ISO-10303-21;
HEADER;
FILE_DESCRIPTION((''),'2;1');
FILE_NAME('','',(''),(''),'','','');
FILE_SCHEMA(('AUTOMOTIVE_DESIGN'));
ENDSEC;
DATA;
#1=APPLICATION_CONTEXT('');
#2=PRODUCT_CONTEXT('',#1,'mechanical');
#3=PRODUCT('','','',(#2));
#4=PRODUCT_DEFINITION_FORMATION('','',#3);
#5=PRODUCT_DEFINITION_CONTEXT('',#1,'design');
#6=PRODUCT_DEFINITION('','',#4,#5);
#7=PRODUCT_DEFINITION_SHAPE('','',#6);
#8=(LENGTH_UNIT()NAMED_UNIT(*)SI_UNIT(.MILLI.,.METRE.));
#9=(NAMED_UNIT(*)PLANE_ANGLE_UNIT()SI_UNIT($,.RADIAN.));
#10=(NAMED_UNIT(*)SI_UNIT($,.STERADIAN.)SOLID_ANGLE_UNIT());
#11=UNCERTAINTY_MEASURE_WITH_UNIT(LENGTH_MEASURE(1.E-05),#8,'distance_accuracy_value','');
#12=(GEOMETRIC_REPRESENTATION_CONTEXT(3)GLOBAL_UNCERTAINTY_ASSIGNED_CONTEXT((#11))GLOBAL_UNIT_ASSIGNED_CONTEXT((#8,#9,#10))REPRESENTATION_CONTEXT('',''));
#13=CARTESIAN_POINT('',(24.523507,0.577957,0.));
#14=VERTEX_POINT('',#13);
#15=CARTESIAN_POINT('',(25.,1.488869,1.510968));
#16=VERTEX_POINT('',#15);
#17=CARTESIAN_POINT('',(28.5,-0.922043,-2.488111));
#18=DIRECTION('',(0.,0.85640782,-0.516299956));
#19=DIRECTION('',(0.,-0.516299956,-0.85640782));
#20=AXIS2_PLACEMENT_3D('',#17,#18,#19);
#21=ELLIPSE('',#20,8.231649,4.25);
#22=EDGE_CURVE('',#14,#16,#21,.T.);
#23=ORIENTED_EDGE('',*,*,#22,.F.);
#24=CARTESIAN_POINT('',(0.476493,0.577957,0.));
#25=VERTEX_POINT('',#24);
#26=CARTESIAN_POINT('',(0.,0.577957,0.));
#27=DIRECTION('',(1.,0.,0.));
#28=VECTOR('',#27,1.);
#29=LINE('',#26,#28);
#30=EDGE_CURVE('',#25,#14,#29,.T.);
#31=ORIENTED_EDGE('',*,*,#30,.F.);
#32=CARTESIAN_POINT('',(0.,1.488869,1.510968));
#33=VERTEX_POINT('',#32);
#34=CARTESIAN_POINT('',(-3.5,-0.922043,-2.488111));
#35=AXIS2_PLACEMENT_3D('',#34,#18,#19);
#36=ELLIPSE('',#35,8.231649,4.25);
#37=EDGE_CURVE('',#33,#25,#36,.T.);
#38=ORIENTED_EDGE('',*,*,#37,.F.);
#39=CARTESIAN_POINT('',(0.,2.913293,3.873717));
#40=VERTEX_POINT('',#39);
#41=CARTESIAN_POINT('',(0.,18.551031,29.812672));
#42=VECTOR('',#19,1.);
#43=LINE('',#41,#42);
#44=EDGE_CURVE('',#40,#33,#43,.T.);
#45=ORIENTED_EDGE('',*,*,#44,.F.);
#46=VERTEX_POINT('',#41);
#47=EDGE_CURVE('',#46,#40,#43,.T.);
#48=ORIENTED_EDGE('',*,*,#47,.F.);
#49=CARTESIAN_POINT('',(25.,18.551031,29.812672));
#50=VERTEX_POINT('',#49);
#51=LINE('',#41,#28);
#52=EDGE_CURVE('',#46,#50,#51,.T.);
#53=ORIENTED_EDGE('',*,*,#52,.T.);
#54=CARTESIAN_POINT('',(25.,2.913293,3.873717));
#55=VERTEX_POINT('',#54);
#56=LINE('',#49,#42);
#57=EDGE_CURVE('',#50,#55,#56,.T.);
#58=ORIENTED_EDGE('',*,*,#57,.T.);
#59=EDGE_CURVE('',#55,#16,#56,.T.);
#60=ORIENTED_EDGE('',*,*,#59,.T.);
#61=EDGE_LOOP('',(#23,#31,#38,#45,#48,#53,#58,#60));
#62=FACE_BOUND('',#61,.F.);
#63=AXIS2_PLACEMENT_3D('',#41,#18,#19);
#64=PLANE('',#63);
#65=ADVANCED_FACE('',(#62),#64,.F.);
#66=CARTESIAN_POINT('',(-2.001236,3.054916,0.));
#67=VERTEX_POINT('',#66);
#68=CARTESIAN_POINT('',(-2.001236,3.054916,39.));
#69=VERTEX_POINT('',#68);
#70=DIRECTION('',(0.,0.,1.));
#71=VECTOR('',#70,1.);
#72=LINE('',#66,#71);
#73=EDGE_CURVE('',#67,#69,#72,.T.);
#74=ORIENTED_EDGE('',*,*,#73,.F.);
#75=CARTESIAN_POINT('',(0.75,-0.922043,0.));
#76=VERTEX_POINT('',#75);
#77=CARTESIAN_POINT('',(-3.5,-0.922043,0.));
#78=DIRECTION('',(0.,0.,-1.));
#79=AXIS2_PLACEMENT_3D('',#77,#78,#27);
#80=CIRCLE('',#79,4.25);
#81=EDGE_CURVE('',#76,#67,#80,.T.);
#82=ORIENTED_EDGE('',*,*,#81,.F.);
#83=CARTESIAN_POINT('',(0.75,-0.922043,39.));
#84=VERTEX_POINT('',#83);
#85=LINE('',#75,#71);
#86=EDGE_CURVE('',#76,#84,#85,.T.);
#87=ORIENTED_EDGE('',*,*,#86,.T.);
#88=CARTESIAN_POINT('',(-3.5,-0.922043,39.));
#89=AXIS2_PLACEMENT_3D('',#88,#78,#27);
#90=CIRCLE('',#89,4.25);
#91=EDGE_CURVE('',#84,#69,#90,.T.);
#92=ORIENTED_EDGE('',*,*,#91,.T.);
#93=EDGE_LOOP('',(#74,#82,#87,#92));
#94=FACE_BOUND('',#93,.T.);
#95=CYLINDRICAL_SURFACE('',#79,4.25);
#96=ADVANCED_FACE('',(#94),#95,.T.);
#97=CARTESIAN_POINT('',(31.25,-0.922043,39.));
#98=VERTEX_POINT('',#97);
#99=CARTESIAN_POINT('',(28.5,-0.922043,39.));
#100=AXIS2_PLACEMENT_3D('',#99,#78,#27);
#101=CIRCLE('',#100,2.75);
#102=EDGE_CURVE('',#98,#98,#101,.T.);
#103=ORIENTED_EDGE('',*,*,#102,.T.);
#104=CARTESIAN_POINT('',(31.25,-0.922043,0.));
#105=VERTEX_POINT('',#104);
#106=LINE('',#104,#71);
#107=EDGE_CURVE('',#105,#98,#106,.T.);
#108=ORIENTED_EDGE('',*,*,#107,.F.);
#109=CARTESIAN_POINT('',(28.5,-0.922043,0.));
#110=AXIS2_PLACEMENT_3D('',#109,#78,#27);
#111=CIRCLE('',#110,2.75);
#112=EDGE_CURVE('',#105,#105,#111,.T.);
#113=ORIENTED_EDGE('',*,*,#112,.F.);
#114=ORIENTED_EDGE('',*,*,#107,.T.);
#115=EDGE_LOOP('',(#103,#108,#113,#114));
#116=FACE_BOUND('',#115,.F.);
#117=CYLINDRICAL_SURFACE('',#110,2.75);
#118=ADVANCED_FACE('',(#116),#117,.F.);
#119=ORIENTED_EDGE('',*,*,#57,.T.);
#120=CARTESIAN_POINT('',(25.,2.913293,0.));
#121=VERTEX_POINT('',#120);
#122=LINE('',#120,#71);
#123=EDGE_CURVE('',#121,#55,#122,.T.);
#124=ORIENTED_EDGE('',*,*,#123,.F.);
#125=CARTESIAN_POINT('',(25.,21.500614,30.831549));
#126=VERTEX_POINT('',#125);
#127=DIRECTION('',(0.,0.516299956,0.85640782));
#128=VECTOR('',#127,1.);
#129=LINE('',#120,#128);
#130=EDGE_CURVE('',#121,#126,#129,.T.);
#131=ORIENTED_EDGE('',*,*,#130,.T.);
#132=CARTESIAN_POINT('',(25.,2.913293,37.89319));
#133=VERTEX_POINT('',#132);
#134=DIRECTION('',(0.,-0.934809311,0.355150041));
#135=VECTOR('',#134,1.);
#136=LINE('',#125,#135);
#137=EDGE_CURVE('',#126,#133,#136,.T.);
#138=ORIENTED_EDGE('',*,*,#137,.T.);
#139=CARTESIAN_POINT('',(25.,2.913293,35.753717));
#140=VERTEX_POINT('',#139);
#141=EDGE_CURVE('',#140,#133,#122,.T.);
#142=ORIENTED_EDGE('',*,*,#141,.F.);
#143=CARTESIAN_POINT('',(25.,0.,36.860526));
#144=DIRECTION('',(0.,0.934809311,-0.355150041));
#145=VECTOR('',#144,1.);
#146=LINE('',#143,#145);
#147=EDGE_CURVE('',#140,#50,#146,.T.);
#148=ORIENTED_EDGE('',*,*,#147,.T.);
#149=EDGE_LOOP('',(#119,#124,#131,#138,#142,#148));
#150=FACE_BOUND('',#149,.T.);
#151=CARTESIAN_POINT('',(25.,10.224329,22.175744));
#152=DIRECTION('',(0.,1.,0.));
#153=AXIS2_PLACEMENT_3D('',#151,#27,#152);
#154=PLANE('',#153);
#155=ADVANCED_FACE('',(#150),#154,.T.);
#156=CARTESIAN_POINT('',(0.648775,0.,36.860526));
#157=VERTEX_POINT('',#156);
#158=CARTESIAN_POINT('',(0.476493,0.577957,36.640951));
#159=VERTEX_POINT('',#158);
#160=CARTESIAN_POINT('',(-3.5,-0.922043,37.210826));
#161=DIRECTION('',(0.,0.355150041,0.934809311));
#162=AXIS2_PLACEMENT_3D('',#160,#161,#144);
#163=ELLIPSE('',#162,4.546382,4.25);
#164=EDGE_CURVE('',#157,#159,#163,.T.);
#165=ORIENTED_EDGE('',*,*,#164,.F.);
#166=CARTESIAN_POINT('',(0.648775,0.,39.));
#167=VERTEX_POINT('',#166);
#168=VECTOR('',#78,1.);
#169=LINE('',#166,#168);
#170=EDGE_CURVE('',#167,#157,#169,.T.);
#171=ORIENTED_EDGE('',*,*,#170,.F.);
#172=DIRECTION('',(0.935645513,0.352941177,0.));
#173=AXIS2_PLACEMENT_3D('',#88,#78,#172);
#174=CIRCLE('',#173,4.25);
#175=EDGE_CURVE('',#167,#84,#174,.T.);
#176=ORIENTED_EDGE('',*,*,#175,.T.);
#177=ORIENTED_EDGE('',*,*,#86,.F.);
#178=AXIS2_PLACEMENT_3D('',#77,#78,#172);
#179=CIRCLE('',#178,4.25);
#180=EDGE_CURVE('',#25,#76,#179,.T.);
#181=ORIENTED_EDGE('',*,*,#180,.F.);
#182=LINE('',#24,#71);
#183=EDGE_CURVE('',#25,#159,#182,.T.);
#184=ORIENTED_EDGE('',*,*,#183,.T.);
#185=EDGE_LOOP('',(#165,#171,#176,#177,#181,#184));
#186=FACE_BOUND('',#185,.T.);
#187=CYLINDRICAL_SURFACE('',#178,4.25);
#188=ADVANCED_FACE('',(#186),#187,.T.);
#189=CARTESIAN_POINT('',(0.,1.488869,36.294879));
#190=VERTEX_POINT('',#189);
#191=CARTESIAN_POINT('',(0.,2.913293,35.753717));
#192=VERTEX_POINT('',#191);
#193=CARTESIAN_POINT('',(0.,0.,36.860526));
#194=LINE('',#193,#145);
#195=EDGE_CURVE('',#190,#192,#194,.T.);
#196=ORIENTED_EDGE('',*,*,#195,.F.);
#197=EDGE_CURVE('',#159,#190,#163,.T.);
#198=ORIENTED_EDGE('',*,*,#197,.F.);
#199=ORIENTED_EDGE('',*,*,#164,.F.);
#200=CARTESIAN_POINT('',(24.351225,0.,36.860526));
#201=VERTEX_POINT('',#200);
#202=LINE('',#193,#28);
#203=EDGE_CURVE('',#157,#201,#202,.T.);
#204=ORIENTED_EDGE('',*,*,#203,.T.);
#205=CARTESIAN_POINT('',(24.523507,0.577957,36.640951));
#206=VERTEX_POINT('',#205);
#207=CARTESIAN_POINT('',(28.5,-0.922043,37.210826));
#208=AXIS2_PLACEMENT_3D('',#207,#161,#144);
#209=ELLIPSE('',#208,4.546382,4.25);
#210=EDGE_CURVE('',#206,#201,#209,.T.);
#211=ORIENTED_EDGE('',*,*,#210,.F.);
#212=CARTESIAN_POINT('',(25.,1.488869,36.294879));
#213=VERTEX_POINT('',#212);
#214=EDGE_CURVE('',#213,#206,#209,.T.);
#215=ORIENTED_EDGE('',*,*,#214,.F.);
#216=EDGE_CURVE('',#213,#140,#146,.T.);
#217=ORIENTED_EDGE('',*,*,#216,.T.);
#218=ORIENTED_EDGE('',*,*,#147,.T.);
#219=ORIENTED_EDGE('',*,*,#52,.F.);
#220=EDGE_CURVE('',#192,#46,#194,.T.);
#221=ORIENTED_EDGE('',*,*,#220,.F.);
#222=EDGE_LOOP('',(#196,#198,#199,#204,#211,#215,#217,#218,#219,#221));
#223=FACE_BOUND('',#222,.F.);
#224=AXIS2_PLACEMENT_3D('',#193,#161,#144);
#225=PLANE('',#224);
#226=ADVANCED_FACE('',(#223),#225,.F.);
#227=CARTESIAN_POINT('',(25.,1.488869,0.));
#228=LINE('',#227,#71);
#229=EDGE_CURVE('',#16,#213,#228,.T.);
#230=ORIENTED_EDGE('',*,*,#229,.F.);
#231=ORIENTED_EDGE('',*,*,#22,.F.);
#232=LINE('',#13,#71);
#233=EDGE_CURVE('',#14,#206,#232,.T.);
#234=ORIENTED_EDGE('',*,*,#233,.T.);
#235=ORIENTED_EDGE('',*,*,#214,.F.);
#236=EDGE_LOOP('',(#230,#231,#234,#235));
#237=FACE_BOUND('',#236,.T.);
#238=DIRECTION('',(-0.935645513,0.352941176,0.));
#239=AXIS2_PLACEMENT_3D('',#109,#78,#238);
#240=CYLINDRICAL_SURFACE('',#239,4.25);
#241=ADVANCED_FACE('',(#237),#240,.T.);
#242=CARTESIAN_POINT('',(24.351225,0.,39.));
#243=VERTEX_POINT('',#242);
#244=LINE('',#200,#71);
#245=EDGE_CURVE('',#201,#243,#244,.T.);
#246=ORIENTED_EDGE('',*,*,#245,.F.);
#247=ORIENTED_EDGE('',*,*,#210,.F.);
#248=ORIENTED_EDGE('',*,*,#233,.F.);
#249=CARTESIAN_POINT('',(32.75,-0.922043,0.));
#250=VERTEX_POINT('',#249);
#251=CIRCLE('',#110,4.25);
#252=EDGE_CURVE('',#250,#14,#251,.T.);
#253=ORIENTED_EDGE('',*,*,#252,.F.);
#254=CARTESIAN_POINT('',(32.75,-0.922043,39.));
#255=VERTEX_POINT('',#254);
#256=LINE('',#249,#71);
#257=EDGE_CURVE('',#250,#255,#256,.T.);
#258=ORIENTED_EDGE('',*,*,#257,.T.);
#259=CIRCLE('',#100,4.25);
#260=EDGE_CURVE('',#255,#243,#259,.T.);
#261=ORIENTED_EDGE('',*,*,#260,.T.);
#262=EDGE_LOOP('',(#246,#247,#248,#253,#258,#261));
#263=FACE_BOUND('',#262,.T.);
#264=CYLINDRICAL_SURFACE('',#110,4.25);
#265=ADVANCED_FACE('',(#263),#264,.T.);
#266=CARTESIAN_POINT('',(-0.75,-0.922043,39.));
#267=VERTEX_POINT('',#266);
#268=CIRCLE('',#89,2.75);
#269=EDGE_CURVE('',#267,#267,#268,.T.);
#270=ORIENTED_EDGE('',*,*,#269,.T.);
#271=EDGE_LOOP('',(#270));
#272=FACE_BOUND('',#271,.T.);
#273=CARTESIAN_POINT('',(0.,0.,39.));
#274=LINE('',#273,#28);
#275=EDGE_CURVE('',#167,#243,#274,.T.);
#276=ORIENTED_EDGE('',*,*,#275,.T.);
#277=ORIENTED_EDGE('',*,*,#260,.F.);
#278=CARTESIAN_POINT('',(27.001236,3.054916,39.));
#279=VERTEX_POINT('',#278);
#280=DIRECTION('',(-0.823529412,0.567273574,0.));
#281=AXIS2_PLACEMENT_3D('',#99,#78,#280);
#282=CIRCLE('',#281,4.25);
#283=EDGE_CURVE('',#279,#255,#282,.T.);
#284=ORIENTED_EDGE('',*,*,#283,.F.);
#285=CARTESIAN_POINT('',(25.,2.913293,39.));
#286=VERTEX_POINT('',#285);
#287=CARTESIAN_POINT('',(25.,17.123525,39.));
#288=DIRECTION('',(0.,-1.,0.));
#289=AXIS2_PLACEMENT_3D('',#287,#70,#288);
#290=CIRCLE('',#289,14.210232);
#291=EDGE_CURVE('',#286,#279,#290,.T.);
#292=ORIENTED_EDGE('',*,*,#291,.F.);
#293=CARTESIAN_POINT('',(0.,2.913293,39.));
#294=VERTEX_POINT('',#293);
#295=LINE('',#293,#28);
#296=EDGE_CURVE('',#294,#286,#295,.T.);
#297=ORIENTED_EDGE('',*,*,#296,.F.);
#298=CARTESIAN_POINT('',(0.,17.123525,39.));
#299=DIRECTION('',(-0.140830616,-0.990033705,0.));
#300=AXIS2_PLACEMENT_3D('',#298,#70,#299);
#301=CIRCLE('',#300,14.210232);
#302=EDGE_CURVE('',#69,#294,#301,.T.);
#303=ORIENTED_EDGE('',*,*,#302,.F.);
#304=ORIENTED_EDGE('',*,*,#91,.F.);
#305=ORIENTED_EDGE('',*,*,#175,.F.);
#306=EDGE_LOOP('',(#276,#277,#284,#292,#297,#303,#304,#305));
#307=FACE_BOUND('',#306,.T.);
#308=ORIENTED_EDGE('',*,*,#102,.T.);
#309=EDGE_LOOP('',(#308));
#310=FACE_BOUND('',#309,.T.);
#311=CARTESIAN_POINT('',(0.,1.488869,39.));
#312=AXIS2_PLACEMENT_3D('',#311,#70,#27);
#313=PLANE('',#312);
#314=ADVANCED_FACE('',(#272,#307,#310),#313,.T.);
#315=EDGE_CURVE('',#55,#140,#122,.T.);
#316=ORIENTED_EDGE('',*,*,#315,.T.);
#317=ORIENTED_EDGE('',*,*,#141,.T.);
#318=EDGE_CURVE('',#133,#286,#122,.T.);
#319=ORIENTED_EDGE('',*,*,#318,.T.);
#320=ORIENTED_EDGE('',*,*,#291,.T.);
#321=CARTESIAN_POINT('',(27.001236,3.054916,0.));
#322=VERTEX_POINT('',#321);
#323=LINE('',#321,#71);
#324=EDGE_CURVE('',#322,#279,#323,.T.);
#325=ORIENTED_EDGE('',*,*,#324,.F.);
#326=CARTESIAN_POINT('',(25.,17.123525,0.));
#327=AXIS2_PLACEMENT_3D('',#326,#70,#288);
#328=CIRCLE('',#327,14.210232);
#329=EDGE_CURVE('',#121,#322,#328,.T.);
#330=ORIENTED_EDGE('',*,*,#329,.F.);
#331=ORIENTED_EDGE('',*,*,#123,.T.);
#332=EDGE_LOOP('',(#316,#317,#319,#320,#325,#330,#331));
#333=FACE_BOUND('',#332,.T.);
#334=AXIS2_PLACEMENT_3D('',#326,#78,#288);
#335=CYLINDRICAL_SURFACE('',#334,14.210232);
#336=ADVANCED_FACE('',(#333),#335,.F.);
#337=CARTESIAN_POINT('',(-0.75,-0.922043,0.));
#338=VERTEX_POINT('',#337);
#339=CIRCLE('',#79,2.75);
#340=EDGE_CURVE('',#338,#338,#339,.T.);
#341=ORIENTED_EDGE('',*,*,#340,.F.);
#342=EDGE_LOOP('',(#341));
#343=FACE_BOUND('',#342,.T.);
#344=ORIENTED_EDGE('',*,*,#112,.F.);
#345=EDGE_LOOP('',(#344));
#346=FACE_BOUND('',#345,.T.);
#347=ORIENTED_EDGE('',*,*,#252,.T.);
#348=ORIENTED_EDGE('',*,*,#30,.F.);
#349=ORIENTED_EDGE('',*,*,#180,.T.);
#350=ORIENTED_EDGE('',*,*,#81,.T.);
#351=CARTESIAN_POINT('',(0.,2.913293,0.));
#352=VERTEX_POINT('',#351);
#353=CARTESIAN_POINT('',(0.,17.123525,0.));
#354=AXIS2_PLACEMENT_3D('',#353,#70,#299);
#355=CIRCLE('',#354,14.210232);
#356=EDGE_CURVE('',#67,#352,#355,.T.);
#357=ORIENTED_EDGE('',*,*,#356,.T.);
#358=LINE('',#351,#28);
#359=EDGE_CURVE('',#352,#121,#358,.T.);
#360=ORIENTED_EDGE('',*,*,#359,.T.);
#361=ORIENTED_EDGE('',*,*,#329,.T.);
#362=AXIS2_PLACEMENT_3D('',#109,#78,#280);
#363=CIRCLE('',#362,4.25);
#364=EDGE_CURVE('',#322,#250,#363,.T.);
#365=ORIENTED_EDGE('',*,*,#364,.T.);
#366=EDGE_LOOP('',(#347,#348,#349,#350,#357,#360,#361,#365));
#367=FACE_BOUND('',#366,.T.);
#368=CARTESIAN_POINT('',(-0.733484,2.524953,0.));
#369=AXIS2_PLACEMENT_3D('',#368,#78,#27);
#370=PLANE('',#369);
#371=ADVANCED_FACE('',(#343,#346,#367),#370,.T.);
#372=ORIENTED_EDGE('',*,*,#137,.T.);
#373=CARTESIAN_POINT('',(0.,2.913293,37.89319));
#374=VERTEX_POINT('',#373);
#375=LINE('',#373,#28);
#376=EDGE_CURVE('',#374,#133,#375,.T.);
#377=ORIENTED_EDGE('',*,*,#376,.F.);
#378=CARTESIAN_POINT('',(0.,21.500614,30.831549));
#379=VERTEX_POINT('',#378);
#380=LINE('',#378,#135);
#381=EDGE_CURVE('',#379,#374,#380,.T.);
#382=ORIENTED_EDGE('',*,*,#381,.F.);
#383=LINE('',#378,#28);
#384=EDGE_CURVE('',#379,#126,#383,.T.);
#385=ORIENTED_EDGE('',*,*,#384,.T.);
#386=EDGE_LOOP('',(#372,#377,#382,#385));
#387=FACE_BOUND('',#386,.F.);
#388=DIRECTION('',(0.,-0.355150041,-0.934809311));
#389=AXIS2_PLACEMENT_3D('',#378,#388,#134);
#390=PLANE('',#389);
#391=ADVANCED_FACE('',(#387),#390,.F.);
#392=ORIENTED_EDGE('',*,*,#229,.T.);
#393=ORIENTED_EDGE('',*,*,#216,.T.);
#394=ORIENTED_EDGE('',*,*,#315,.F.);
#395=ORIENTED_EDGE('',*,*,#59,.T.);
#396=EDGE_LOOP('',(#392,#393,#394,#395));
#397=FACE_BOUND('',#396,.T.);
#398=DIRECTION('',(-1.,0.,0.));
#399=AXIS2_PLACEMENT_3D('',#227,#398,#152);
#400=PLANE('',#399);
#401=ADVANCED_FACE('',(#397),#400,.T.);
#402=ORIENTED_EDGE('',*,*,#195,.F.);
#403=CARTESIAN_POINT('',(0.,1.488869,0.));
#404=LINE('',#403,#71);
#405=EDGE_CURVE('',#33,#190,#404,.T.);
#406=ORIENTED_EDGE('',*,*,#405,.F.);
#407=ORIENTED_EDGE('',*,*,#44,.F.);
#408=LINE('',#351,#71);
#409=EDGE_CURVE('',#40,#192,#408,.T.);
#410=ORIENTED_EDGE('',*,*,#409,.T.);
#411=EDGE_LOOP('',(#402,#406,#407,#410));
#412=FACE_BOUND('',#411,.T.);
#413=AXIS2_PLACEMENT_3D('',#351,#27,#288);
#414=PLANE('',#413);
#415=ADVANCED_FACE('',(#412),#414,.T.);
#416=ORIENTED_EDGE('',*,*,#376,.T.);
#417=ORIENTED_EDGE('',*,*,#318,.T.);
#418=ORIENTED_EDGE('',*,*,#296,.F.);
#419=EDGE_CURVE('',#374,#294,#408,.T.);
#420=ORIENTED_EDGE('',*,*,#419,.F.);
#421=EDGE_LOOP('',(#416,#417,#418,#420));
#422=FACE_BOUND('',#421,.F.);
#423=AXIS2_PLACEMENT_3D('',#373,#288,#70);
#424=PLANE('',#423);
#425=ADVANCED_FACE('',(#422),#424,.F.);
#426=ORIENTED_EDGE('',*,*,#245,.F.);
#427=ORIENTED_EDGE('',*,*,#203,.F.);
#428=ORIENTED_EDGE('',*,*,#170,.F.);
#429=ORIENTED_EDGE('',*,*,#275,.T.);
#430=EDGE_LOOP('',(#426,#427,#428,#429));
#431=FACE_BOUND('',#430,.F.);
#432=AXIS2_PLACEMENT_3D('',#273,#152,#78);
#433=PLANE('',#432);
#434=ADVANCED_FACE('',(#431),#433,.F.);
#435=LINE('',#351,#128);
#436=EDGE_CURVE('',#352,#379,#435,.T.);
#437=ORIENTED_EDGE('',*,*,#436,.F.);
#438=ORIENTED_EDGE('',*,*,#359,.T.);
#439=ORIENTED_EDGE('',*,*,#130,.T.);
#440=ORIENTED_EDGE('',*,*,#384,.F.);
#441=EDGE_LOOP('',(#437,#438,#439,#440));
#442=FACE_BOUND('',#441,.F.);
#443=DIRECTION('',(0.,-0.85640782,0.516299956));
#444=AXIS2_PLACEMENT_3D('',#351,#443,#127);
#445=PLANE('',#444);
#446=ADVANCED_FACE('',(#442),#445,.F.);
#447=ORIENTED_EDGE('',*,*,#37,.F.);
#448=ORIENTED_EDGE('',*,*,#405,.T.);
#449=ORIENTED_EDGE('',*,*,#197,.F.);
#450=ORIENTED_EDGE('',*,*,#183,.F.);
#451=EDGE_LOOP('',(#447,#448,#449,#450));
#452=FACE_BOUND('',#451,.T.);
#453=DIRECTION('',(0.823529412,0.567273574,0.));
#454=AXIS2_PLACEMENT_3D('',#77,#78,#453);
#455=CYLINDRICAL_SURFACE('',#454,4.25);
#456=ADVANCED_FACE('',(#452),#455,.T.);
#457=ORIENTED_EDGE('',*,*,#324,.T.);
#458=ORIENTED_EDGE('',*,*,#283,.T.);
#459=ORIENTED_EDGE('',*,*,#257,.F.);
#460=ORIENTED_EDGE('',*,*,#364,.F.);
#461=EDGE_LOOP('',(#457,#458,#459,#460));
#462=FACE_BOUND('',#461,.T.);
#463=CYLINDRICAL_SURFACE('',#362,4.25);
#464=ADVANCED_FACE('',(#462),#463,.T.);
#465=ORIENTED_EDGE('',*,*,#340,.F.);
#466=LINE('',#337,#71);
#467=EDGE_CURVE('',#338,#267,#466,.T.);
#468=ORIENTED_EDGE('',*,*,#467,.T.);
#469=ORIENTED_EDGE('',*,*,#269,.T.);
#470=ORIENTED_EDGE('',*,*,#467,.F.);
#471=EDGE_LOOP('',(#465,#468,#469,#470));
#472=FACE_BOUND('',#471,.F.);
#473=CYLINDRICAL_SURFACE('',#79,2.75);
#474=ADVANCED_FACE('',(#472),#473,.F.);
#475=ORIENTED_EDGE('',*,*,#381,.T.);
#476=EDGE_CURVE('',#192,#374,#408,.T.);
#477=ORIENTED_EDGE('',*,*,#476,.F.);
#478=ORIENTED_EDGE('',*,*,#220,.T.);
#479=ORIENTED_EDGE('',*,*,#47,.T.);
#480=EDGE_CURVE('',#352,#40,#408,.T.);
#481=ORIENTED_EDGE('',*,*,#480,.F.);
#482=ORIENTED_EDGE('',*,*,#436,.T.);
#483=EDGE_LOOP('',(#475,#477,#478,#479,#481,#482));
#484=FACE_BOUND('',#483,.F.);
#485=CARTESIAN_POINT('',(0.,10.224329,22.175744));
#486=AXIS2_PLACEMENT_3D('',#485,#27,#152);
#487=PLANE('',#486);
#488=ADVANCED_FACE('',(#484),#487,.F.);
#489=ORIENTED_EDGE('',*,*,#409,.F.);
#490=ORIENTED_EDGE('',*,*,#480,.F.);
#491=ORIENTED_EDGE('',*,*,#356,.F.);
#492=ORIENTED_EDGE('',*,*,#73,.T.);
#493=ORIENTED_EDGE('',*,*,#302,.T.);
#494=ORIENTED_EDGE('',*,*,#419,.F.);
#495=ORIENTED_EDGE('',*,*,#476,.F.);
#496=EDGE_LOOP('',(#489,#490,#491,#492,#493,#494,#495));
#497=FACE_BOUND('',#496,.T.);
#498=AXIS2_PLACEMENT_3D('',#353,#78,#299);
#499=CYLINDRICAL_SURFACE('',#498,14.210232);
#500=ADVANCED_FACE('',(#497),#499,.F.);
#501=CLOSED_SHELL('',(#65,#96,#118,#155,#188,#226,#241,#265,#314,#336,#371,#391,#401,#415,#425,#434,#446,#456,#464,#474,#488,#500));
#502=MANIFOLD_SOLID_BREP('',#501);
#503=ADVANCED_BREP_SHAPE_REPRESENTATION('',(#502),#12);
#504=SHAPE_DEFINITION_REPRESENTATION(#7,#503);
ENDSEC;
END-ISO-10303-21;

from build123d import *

# Parameters (mm, degrees)
F1_DEPTH = 25
F2_R     = 2.75
F3_DEPTH = 39
F6_DEPTH = 39
F7_DEPTH = 25
F8_DEPTH = 1.4888694367


with BuildPart() as f1:
    # F0 (on Right) → F1 (new body)
    with BuildSketch(Plane.YZ):
        Polygon((18.5510310847, 29.8126723238), (0.5779567464, 0), (2.9132927302, 0), (21.5006141558, 30.8315490499), (0, 39), (0, 36.8605262312), align=None)
    extrude(amount=F1_DEPTH)

    # F2 (on face) → F3 (join)
    with BuildSketch(Plane(origin=(0, 0, 0), x_dir=(1, 0, 0), z_dir=(0, 0, -1))):
        with BuildLine():
            ThreePointArc((0.4764934301, -0.5779567464), (0.6810642831, 0.1596775533), (0.75, 0.9220432536))
            ThreePointArc((0.75, 0.9220432536), (-7.5581707702, 2.1844813709), (0, -1.4888694367))
            Line((0, -1.4888694367), (0, -0.5779567464))
            Line((0, -0.5779567464), (0.4764934301, -0.5779567464))
        make_face()
        with Locations((-3.5, 0.9220432536)):
            Circle(F2_R, mode=Mode.SUBTRACT)
        with BuildLine():
            Line((0, -0.5779567464), (0, -1.4888694367))
            ThreePointArc((0, -1.4888694367), (0.2658901982, -1.0478732459), (0.4764934301, -0.5779567464))
            Line((0.4764934301, -0.5779567464), (0, -0.5779567464))
        make_face()
        with BuildLine():
            ThreePointArc((32.75, 0.9220432536), (27.7376342997, 5.1031075366), (24.5235065699, -0.5779567464))
            Line((24.5235065699, -0.5779567464), (25, -0.5779567464))
            Line((25, -0.5779567464), (25, -1.4888694367))
            ThreePointArc((25, -1.4888694367), (29.7624381173, -3.1361275166), (32.75, 0.9220432536))
        make_face()
        with Locations((28.5, 0.9220432536)):
            Circle(F2_R, mode=Mode.SUBTRACT)
        with BuildLine():
            Line((25, -0.5779567464), (24.5235065699, -0.5779567464))
            ThreePointArc((24.5235065699, -0.5779567464), (24.7341098018, -1.0478732459), (25, -1.4888694367))
            Line((25, -1.4888694367), (25, -0.5779567464))
        make_face()
    extrude(amount=-F3_DEPTH)

    # F5 (on face) → F6 (join, through all)
    with BuildSketch(Plane(origin=(0, 0, 0), x_dir=(1, 0, 0), z_dir=(0, 0, -1))):
        with BuildLine():
            ThreePointArc((-2.0012357145, -3.0549160895), (-1.0031203269, -2.9487427884), (0, -2.9132927302))
            Line((0, -2.9132927302), (0, -1.4888694367))
            ThreePointArc((0, -1.4888694367), (-0.8808328375, -2.4249648693), (-2.0012357145, -3.0549160895))
        make_face()
        with BuildLine():
            Line((25, -1.4888694367), (25, -2.9132927302))
            ThreePointArc((25, -2.9132927302), (26.0031203269, -2.9487427884), (27.0012357145, -3.0549160895))
            ThreePointArc((27.0012357145, -3.0549160895), (25.8808328375, -2.4249648693), (25, -1.4888694367))
        make_face()
    extrude(amount=-F6_DEPTH)

    # F7 (add): a face of the model
    f7_faces = [f1.faces().sort_by_distance(p)[0] for p in [
        (0, 2.2778987033, 38.5672936668),
    ]]
    extrude(f7_faces, amount=F7_DEPTH)

    # F8 (add, through all): a face of the model
    f8_faces = [f1.faces().sort_by_distance(p)[0] for p in [
        (12.5, 1.4888694367, 38.7171765216),
    ]]
    extrude(f8_faces, amount=F8_DEPTH)


solid = f1.part
